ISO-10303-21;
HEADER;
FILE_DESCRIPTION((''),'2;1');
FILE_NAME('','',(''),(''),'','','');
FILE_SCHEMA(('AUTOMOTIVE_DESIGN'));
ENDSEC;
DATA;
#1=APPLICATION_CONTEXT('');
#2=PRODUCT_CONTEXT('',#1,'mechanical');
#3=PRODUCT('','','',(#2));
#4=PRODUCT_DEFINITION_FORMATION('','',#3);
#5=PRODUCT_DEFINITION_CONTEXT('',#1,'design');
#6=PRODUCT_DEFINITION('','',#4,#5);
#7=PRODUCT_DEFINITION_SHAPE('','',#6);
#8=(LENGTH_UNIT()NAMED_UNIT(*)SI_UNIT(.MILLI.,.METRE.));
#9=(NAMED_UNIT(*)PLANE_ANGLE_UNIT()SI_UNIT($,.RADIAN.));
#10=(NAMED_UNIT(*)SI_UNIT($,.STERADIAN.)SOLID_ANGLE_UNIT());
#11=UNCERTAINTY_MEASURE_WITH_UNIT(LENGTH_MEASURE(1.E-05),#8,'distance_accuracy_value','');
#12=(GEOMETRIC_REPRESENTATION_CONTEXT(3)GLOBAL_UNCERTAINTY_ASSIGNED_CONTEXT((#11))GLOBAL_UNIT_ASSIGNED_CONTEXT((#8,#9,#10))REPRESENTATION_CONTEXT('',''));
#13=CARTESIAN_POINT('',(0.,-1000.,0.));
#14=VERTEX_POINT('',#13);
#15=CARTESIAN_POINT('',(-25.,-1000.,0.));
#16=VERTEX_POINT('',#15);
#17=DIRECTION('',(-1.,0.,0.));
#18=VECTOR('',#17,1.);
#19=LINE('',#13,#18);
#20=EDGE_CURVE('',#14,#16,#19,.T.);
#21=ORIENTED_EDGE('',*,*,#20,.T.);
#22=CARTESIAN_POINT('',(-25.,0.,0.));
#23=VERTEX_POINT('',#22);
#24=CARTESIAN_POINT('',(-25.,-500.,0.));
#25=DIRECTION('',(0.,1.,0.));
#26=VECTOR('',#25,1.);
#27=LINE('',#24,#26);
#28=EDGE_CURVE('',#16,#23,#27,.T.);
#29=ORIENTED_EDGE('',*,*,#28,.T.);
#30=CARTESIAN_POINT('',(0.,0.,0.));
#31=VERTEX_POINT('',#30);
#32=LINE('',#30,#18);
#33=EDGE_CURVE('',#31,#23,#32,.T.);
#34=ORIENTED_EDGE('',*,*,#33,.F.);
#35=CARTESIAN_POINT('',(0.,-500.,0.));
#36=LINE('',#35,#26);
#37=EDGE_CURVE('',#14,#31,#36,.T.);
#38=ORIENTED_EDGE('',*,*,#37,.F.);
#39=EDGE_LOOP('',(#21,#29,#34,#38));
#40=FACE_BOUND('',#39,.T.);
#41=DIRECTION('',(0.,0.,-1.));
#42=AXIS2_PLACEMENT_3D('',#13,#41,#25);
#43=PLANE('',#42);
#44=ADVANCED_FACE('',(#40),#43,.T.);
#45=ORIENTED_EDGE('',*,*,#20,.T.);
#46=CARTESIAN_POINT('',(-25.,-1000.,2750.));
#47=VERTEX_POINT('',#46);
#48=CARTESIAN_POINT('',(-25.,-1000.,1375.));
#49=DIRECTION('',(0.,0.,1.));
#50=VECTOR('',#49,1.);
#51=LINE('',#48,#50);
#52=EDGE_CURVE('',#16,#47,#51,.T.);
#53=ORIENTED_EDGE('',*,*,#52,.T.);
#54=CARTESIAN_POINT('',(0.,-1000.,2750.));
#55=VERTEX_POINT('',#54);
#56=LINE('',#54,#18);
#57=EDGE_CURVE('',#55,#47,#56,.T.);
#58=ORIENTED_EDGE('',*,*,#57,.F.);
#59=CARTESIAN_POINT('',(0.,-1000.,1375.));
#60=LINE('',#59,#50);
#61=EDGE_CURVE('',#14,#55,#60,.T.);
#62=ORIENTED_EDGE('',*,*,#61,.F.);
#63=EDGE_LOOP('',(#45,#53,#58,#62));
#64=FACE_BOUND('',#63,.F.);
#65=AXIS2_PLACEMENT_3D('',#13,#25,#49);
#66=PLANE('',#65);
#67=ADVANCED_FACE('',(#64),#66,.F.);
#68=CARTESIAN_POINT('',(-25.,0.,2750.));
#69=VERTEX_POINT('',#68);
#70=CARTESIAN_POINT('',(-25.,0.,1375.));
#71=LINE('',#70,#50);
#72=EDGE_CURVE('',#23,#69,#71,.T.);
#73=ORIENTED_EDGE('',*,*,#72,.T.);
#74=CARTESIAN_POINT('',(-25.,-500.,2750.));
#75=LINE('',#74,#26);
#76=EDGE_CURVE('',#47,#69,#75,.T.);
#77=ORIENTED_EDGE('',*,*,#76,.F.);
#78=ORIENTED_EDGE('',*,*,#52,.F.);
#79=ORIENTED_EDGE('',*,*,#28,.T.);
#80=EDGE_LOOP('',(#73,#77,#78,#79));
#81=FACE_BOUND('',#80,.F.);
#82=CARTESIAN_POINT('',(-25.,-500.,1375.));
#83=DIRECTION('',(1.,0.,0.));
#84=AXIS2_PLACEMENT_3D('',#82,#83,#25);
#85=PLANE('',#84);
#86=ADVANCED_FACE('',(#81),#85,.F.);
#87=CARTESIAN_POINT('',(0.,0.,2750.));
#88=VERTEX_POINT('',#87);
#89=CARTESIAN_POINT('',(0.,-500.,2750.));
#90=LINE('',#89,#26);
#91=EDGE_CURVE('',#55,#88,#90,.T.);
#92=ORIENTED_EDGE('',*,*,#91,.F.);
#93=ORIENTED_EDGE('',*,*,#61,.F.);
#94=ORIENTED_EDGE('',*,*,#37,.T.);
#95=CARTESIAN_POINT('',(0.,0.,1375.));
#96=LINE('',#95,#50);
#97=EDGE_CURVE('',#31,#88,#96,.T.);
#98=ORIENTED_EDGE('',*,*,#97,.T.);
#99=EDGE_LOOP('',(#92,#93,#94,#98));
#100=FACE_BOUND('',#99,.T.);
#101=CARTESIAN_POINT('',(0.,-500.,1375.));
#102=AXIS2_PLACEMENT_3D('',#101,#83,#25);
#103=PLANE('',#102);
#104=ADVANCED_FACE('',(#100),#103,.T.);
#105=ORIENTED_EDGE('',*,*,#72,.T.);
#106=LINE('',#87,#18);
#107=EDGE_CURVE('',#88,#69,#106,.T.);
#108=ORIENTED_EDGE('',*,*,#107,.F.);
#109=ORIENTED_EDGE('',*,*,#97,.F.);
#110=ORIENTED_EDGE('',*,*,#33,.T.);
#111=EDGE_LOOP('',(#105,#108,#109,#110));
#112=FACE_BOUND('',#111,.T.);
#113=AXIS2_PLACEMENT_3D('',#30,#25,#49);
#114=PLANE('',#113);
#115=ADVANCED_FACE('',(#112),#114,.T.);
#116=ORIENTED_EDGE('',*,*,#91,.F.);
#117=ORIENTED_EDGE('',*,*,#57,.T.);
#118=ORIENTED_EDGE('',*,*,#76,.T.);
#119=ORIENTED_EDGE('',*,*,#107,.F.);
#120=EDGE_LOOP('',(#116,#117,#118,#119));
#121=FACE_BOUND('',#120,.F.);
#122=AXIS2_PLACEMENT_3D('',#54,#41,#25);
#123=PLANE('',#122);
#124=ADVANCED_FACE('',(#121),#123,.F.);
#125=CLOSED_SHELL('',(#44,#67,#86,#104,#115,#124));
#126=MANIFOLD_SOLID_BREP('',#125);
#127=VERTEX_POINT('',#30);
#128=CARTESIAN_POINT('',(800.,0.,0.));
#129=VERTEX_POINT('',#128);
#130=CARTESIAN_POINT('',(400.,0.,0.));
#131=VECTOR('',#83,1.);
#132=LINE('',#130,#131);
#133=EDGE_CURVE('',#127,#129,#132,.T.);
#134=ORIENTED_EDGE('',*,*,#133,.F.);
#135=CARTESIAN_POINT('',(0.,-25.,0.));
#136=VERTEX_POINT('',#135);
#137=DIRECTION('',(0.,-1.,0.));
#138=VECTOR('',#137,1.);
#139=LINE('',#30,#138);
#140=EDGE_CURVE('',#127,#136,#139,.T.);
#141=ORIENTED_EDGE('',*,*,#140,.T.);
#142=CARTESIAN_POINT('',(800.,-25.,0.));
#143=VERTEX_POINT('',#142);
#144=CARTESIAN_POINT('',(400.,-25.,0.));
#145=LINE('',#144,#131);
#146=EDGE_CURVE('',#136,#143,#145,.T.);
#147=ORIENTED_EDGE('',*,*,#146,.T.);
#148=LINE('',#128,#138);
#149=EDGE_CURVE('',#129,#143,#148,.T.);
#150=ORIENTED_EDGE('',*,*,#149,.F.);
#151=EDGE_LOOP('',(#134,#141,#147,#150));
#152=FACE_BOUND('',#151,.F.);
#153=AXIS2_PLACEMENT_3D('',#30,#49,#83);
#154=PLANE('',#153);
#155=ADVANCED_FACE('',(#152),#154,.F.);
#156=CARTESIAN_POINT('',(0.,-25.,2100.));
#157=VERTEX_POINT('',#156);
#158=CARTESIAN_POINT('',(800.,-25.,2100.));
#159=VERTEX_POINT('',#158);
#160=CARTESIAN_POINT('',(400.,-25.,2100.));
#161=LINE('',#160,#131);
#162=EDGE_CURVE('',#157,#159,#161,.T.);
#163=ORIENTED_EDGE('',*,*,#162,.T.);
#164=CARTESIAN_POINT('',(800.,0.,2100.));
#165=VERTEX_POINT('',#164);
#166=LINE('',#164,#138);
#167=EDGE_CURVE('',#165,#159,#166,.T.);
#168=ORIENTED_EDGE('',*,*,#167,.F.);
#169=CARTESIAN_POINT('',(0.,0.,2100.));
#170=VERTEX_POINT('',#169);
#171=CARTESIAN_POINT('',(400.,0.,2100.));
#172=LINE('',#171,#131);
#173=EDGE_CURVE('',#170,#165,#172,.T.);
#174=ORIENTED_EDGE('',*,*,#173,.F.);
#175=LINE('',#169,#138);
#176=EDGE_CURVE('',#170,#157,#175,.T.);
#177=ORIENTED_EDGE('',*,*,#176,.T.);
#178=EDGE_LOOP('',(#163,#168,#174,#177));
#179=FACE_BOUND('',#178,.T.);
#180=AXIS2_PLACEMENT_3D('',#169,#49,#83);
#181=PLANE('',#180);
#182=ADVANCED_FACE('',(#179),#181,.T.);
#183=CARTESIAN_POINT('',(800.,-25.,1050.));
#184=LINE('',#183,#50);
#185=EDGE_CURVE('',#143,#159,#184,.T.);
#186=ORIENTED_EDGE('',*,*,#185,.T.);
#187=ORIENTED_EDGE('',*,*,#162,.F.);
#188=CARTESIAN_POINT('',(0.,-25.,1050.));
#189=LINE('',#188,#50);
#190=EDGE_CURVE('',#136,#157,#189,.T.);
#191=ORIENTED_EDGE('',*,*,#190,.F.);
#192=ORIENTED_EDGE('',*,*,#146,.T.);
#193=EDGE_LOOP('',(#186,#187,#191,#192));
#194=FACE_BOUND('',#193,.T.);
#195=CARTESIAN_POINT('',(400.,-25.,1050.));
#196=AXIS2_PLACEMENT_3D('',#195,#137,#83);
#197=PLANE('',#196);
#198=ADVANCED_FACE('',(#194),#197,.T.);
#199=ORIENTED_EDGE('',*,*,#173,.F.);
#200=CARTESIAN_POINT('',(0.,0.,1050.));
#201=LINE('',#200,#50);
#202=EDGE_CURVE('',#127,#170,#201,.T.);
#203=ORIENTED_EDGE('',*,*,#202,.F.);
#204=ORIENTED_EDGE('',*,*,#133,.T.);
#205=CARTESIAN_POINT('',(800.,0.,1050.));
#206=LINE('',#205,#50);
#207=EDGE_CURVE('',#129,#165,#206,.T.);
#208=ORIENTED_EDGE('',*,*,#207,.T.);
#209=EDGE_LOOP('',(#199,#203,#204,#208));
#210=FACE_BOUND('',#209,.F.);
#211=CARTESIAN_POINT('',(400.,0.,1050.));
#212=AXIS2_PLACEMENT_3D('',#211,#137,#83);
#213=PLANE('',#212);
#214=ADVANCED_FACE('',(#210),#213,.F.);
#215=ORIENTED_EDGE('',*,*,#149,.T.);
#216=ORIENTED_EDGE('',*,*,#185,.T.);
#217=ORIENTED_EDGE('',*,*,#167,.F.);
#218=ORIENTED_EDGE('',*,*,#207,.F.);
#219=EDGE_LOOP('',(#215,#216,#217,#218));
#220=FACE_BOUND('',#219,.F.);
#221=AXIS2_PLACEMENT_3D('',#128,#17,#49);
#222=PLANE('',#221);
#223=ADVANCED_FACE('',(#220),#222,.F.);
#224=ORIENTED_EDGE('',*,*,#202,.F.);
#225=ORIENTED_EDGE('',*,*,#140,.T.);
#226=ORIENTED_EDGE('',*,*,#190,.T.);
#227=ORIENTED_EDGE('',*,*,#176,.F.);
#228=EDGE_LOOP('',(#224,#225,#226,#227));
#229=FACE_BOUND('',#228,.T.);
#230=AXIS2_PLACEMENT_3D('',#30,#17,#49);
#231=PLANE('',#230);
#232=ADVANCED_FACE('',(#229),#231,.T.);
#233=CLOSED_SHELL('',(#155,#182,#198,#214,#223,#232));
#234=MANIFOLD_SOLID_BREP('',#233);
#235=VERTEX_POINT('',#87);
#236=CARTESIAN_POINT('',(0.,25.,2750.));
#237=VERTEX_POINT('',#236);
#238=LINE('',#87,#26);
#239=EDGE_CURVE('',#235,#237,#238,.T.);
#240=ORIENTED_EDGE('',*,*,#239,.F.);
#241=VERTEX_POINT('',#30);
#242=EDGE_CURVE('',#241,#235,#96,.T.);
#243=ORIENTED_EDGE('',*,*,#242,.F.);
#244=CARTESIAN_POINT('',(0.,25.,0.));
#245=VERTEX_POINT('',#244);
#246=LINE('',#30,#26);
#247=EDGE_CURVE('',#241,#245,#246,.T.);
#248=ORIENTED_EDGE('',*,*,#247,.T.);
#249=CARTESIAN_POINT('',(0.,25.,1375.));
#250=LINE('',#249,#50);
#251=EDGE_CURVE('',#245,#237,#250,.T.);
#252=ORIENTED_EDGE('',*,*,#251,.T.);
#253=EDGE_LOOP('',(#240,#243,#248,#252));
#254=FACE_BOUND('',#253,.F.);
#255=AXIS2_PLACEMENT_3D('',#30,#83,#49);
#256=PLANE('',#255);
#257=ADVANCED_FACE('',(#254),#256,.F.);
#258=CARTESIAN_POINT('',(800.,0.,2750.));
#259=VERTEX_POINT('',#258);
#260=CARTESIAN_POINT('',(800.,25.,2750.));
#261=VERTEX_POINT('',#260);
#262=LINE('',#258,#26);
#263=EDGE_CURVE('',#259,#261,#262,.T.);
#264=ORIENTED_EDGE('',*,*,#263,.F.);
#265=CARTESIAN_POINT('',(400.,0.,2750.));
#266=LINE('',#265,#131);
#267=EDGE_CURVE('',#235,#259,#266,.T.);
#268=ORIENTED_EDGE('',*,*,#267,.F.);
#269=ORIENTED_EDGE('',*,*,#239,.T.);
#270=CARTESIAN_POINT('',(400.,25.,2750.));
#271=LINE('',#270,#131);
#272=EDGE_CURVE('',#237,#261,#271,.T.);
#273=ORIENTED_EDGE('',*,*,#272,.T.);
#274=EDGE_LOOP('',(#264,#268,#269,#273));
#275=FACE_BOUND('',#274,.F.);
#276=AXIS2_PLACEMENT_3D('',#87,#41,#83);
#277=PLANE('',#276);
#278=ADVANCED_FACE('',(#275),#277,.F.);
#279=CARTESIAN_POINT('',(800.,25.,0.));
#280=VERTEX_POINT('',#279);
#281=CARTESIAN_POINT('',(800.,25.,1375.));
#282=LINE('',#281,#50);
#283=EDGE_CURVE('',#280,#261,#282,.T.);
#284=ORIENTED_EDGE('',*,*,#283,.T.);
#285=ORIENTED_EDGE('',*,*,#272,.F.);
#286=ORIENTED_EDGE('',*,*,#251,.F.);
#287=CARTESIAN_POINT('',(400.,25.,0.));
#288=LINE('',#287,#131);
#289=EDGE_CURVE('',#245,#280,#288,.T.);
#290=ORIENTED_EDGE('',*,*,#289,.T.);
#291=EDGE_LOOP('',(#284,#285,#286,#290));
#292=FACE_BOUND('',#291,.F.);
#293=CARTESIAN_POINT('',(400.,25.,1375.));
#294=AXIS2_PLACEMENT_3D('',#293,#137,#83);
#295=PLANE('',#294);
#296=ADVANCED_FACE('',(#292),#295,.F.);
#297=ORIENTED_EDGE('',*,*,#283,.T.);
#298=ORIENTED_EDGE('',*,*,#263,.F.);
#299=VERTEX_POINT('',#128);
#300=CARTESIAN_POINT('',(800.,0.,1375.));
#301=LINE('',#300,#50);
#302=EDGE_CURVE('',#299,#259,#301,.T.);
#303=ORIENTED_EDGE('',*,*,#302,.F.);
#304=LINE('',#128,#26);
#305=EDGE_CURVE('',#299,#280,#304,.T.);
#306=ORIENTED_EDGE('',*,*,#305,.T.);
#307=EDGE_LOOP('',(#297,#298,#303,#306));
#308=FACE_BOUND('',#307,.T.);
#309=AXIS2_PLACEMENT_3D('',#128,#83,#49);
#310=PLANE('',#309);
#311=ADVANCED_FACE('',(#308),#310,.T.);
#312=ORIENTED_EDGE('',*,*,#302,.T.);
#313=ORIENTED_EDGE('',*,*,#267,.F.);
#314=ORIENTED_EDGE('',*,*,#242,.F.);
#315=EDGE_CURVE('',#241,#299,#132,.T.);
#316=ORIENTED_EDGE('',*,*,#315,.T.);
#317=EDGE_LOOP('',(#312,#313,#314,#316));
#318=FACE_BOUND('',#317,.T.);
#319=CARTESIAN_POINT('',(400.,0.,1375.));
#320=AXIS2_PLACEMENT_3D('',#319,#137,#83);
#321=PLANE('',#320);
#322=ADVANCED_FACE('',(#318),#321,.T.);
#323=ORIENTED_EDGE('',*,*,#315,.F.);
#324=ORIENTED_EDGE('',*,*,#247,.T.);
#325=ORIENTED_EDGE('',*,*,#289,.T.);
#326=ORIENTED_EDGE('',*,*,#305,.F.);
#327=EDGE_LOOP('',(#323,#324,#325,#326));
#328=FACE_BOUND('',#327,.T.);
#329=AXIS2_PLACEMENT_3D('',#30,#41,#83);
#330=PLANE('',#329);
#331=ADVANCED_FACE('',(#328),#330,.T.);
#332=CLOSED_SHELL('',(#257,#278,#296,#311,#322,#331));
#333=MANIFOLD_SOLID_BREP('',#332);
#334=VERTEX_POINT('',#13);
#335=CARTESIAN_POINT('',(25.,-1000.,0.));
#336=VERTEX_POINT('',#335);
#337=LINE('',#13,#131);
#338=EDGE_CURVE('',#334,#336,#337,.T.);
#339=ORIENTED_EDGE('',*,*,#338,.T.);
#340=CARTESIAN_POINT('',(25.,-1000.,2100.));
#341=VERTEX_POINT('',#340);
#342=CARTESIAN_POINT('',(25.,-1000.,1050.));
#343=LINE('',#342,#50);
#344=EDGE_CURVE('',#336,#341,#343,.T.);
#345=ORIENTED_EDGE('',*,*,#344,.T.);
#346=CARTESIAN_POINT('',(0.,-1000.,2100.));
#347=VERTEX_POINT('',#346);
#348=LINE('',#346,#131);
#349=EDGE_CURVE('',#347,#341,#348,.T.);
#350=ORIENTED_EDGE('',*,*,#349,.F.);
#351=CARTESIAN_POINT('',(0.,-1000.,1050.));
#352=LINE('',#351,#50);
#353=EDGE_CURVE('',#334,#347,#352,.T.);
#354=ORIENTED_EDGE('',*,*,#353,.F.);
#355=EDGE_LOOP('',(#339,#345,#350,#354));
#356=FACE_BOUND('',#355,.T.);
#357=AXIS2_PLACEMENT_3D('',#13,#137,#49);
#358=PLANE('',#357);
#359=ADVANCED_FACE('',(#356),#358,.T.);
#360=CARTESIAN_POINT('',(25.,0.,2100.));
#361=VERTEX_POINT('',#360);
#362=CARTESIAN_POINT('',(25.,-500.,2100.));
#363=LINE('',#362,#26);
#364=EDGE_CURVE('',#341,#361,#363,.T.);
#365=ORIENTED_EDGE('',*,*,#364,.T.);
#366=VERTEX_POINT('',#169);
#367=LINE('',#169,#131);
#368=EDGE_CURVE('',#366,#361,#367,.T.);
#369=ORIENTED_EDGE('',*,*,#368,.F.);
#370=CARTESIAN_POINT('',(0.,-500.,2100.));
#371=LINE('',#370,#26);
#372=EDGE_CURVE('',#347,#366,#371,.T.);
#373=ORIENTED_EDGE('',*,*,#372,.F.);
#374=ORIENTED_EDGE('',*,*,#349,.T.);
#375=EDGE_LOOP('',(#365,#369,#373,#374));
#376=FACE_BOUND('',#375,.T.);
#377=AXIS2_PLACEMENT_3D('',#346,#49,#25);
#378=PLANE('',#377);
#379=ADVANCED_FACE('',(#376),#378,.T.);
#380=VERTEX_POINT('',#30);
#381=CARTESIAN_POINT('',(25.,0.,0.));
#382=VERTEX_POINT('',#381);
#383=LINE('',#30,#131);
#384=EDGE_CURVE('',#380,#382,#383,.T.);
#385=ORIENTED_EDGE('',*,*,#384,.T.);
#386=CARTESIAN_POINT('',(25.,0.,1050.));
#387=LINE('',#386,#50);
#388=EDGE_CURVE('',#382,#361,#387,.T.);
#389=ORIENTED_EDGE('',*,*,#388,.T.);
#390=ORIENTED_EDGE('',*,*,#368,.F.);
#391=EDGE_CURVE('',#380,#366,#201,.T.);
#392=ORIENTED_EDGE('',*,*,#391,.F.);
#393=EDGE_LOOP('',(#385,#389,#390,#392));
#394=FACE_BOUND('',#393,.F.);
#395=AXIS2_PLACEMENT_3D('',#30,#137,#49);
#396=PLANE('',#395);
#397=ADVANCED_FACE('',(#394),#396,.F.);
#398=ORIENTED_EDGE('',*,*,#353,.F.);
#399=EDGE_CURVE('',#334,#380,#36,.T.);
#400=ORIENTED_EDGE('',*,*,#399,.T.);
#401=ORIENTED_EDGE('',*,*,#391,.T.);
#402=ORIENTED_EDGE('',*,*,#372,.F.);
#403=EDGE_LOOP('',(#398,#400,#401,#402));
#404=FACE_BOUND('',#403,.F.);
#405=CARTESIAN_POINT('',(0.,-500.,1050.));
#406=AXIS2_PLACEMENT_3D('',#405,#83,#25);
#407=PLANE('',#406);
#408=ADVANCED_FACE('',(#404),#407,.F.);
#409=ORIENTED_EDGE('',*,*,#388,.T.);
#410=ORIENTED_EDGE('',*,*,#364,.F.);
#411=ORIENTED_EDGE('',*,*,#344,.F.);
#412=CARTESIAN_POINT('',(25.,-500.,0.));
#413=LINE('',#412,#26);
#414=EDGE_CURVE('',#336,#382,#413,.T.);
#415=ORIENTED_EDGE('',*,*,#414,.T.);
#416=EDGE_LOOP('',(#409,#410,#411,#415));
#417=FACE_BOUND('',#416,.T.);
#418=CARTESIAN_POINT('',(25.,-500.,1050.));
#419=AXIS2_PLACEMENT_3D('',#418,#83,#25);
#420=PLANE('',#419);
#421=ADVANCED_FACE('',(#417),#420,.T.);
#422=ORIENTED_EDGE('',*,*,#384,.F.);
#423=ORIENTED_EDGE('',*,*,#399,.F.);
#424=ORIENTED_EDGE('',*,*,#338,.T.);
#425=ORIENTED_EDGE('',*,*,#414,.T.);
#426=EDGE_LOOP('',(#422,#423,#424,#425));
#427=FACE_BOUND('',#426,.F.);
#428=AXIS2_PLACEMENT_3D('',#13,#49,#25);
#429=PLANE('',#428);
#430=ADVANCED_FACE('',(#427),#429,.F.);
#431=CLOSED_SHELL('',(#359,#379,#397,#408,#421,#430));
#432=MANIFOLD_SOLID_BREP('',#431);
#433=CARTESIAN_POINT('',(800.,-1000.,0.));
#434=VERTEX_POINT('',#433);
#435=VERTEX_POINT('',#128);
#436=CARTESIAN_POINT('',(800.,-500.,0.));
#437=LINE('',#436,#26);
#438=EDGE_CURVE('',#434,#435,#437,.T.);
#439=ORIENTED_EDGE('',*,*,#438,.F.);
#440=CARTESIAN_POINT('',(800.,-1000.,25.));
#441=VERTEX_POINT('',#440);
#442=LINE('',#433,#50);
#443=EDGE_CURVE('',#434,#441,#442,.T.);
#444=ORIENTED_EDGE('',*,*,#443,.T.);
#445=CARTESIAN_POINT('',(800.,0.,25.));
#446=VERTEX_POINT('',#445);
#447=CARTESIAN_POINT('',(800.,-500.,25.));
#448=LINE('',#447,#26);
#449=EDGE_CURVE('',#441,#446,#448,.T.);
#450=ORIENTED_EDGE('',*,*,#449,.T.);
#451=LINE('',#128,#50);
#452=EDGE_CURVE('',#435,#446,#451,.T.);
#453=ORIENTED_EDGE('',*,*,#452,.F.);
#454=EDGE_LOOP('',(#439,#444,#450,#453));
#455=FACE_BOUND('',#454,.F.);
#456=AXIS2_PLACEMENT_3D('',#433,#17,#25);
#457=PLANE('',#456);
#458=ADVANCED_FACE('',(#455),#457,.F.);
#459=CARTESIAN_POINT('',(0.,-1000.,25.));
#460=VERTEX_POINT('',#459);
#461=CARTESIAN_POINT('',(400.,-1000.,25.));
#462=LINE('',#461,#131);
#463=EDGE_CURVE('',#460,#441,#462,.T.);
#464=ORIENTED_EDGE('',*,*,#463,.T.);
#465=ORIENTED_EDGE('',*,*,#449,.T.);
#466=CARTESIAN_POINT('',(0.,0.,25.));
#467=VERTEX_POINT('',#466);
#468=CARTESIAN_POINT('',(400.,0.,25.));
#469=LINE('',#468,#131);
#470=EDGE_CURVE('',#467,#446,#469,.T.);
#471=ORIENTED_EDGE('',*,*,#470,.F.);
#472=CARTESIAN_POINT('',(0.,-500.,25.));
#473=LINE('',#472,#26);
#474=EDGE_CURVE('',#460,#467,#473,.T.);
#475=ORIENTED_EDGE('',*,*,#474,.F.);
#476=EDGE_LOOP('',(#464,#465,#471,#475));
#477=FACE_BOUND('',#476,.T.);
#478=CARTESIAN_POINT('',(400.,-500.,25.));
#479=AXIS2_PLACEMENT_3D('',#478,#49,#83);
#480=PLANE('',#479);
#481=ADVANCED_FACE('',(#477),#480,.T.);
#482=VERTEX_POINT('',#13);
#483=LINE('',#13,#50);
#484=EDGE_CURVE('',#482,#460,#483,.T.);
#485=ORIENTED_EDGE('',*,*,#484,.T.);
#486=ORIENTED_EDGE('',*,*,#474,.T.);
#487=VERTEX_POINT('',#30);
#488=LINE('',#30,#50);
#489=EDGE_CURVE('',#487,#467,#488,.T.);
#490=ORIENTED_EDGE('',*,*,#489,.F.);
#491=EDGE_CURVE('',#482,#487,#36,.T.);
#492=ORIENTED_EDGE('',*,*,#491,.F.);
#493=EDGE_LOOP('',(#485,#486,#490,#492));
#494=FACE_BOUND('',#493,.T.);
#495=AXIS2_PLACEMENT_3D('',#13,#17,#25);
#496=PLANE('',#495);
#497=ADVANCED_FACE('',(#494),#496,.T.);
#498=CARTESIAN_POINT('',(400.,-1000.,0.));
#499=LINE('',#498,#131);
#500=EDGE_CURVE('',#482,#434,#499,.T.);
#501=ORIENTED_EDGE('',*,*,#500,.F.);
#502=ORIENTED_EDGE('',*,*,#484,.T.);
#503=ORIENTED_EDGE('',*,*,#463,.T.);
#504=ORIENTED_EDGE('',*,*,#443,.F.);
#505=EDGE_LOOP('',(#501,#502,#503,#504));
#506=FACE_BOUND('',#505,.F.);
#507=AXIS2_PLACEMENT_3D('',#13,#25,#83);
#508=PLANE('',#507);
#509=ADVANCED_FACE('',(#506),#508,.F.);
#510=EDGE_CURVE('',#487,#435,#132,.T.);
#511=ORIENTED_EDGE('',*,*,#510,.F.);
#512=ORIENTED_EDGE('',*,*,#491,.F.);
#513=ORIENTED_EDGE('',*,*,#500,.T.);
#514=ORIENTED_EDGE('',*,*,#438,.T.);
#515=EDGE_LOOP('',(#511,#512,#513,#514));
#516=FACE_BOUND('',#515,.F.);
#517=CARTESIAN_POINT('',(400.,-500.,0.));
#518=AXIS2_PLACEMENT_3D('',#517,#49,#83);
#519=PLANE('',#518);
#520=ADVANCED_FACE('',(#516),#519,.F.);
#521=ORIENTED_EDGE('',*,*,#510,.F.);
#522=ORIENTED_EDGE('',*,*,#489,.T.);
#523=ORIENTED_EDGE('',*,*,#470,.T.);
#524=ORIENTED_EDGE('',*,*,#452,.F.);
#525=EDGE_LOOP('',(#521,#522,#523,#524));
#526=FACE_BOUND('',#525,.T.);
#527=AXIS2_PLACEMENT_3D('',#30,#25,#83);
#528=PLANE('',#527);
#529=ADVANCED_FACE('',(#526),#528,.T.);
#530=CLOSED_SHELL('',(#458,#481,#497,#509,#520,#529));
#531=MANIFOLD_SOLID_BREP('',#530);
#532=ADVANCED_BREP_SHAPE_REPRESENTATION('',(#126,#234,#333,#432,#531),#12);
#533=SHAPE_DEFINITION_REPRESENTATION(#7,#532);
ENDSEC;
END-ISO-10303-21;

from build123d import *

# Parameters (mm, degrees)
F0_W     = 800
F0_H     = 2750
F1_DEPTH = 25
F2_W     = 1000
F2_H     = 2750
F3_DEPTH = 25
F4_W     = 800
F4_H     = 1000
F5_DEPTH = 25
F6_W     = 800
F6_H     = 2100
F7_DEPTH = 25
F8_W     = 1000
F8_H     = 2100
F9_DEPTH = 25


with BuildPart() as f1:
    # F0 (on Front) → F1 (new body)
    with BuildSketch(Plane.XZ):
        with Locations((400, 1375)):
            Rectangle(F0_W, F0_H)
    extrude(amount=-F1_DEPTH)

    # F2 (on Right) → F3 (join)
    with BuildSketch(Plane.YZ):
        with Locations((-500, 1375)):
            Rectangle(F2_W, F2_H)
    extrude(amount=-F3_DEPTH)


with BuildPart() as f5:
    # F4 (on Top) → F5 (new body)
    with BuildSketch(Plane.XY):
        with Locations((400, -500)):
            Rectangle(F4_W, F4_H)
    extrude(amount=F5_DEPTH)


with BuildPart() as f7:
    # F6 (on face) → F7 (new body)
    with BuildSketch(Plane.XZ):
        with Locations((400, 1050)):
            Rectangle(F6_W, F6_H)
    extrude(amount=F7_DEPTH)


with BuildPart() as f9:
    # F8 (on face) → F9 (new body)
    with BuildSketch(Plane.YZ):
        with Locations((-500, 1050)):
            Rectangle(F8_W, F8_H)
    extrude(amount=F9_DEPTH)


solid = Compound([f1.part, f5.part, f7.part, f9.part])
